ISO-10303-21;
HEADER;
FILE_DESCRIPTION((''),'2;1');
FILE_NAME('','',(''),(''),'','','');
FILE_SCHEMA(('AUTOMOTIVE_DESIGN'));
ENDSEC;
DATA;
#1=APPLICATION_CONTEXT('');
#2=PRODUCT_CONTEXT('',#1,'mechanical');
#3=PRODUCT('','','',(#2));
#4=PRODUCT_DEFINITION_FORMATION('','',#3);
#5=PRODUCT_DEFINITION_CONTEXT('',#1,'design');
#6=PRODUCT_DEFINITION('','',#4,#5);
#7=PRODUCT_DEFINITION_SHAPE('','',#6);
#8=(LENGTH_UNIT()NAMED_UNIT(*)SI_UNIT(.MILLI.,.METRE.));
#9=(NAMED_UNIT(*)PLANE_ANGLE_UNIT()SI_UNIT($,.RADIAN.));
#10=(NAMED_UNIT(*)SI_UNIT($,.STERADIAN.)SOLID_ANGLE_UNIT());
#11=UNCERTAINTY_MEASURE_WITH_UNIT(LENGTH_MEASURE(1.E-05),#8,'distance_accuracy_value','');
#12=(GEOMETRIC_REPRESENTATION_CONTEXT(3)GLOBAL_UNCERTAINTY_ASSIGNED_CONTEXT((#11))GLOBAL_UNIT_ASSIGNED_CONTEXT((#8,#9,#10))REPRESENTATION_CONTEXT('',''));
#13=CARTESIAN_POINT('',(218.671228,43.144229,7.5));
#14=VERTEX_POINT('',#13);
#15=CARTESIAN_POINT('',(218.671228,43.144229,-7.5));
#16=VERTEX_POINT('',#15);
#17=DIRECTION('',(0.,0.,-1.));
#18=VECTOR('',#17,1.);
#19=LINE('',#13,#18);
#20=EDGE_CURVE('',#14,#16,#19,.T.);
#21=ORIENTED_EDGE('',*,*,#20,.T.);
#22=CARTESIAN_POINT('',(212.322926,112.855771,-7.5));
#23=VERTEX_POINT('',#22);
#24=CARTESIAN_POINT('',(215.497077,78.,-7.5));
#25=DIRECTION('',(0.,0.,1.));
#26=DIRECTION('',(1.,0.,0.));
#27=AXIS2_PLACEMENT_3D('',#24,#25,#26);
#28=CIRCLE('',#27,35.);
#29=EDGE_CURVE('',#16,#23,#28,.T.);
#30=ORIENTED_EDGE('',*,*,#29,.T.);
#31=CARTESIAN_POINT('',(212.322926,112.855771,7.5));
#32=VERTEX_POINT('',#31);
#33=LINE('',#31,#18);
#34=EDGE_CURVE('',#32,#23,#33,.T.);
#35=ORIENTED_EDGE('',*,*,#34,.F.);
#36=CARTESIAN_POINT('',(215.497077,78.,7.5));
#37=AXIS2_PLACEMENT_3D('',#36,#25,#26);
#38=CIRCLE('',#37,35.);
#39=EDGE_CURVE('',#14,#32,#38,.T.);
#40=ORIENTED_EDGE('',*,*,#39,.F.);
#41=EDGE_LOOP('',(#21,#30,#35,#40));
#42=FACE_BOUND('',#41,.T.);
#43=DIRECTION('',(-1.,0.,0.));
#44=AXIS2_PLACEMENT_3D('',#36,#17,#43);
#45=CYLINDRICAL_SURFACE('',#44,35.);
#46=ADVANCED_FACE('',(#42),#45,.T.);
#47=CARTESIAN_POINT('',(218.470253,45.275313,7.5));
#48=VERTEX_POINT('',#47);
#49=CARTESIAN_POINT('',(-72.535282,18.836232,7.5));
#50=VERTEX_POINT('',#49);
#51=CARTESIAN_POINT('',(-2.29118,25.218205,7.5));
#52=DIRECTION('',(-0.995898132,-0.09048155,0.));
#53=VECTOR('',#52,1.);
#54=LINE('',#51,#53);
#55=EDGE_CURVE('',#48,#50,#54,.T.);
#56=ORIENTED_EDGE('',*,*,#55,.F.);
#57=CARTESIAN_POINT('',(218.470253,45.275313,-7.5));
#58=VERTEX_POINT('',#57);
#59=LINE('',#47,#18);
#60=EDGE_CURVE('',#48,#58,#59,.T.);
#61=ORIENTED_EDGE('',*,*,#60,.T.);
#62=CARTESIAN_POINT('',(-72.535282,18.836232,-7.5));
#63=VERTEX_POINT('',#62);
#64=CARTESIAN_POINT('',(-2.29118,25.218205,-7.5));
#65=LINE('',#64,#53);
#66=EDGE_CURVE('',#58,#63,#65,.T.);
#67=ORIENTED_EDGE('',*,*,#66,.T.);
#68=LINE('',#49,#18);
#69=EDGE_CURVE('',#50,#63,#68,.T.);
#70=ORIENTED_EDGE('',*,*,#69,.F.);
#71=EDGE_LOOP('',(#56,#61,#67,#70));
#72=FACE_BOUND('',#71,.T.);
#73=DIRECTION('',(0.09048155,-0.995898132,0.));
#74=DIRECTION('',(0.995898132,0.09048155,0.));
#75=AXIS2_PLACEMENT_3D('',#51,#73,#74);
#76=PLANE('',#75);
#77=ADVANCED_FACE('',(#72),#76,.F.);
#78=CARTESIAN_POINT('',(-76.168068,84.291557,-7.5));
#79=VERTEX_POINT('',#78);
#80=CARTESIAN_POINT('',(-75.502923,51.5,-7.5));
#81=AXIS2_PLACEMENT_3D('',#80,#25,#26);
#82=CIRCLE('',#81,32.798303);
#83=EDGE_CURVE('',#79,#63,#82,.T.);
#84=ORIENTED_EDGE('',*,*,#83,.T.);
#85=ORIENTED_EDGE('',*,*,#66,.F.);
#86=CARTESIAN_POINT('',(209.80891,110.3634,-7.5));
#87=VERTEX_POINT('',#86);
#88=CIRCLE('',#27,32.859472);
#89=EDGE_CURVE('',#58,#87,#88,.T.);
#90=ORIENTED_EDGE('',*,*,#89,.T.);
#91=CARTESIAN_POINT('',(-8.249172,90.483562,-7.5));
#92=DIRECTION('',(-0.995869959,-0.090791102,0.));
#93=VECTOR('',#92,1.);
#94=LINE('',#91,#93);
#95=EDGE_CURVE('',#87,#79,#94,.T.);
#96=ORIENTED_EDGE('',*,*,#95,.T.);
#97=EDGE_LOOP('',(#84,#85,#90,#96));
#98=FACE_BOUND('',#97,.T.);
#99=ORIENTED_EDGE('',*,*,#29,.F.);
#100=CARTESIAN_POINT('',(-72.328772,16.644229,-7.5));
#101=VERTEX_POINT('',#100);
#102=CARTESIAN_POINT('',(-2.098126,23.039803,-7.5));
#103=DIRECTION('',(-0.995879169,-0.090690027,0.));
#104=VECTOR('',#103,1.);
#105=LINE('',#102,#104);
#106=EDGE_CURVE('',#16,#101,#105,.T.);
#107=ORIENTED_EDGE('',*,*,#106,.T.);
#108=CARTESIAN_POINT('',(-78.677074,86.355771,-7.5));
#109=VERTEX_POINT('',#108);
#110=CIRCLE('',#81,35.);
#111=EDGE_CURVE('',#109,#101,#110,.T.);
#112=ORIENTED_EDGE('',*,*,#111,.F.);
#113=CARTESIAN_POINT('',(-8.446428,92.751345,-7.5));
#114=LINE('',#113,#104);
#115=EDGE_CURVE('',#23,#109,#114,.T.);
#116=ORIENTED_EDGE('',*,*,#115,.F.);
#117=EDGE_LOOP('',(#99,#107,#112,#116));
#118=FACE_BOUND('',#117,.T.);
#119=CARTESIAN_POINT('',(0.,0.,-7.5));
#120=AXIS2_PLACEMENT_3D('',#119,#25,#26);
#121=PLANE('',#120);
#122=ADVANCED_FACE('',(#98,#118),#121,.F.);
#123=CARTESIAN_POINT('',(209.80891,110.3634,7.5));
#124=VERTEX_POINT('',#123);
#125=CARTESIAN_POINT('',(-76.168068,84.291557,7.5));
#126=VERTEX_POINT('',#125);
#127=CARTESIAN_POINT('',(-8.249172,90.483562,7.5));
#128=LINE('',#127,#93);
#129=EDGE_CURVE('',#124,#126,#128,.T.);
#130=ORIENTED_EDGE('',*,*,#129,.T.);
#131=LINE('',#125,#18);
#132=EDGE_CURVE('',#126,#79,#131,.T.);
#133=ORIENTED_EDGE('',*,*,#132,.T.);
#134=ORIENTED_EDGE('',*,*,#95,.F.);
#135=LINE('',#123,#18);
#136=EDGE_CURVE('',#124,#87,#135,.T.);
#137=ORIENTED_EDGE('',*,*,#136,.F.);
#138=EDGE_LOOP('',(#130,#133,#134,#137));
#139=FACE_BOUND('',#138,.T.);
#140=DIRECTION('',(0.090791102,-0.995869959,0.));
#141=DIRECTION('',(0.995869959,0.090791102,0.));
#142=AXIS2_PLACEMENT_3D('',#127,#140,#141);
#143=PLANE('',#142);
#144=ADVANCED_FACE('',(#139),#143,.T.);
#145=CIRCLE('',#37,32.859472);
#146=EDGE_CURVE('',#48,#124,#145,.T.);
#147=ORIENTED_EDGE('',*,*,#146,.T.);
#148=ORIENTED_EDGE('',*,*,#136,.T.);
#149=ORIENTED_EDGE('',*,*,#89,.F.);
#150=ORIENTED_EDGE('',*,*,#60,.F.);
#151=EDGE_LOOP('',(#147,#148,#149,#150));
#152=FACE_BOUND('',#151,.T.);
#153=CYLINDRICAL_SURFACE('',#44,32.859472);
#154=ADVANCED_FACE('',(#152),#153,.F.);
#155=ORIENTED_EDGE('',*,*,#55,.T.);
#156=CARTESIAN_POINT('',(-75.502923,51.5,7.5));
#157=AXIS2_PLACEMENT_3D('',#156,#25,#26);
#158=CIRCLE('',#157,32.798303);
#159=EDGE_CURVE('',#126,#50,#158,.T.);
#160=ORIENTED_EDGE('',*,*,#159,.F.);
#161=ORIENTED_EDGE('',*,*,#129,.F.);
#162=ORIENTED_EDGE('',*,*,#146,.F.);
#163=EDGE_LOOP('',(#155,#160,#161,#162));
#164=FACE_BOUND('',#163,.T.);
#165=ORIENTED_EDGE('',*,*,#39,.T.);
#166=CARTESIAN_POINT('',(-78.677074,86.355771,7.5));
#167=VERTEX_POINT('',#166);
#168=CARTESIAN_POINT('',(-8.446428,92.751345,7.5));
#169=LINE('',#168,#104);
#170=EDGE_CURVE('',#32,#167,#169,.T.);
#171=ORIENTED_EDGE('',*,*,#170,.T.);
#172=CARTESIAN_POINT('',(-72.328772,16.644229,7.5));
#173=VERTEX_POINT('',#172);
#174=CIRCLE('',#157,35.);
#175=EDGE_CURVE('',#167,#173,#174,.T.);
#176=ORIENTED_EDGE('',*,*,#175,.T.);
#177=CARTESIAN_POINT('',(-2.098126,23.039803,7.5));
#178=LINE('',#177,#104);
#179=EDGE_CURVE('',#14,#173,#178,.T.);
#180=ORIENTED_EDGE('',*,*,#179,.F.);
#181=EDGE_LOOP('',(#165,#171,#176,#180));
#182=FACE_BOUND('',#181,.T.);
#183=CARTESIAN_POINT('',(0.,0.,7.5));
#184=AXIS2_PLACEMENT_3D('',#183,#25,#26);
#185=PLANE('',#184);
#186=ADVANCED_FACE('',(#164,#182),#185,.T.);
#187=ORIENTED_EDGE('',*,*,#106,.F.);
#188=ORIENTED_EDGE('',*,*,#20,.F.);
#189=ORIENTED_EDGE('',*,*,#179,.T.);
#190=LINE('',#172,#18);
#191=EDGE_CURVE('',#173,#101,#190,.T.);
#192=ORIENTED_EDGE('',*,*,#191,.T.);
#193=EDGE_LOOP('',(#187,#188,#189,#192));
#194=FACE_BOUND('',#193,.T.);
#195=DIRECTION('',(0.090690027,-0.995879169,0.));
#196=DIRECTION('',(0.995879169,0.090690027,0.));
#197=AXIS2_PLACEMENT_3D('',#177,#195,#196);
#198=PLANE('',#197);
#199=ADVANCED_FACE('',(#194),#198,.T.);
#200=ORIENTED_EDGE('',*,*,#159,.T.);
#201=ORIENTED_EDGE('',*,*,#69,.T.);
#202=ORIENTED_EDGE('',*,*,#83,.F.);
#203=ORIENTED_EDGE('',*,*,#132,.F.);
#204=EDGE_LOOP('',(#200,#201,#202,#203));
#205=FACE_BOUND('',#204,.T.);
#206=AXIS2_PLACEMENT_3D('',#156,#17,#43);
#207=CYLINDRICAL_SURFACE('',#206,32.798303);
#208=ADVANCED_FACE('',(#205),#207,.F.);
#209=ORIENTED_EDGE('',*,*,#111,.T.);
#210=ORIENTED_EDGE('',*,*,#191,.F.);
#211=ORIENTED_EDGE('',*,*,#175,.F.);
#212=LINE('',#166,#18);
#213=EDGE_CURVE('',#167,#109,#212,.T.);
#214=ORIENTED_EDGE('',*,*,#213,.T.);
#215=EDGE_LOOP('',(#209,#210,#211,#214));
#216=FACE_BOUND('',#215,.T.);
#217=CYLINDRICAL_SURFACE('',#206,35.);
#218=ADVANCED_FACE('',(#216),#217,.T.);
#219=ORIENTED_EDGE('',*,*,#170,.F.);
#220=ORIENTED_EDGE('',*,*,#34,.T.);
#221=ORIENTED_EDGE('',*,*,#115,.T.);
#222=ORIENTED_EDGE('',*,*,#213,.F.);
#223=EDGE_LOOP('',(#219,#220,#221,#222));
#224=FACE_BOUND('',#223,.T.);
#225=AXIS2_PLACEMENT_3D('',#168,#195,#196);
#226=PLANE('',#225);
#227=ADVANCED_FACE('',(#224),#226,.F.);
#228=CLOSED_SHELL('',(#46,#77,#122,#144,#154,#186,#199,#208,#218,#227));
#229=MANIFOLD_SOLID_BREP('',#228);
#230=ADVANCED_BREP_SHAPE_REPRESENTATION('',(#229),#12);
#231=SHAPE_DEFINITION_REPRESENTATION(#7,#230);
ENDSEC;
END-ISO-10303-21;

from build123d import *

# Parameters (mm, degrees)
Y_KSEKLIK_EKSTR_ZYON1_DEPTH = 7.5


with BuildPart() as part:
    # Çizim1 → Yükseklik-Ekstrüzyon1 (new body, symmetric)
    with BuildSketch(Plane(origin=(0, 0, 0), x_dir=(-1, 0, 0), z_dir=(0, 0, 1))):
        with BuildLine():
            Line((72.328772259, -16.644229091), (-218.671227741, -43.144229091))
            ThreePointArc((-218.671227741, -43.144229091), (-250.352847691, -81.174150959), (-212.322925823, -112.855770909))
            Line((-212.322925823, -112.855770909), (78.677074177, -86.355770909))
            ThreePointArc((78.677074177, -86.355770909), (110.358694128, -48.325849041), (72.328772259, -16.644229091))
        make_face()
        with BuildLine():
            ThreePointArc((-209.8089095, -110.3633999), (-248.069420133, -82.334437532), (-218.470252737, -45.27531322))
            Line((-218.470252737, -45.27531322), (72.535281972, -18.836231788))
            ThreePointArc((72.535281972, -18.836231788), (108.250828228, -49.682483602), (76.168067869, -84.291557312))
            Line((76.168067869, -84.291557312), (-209.8089095, -110.3633999))
        make_face(mode=Mode.SUBTRACT)
    extrude(amount=Y_KSEKLIK_EKSTR_ZYON1_DEPTH, both=True)


solid = part.part
